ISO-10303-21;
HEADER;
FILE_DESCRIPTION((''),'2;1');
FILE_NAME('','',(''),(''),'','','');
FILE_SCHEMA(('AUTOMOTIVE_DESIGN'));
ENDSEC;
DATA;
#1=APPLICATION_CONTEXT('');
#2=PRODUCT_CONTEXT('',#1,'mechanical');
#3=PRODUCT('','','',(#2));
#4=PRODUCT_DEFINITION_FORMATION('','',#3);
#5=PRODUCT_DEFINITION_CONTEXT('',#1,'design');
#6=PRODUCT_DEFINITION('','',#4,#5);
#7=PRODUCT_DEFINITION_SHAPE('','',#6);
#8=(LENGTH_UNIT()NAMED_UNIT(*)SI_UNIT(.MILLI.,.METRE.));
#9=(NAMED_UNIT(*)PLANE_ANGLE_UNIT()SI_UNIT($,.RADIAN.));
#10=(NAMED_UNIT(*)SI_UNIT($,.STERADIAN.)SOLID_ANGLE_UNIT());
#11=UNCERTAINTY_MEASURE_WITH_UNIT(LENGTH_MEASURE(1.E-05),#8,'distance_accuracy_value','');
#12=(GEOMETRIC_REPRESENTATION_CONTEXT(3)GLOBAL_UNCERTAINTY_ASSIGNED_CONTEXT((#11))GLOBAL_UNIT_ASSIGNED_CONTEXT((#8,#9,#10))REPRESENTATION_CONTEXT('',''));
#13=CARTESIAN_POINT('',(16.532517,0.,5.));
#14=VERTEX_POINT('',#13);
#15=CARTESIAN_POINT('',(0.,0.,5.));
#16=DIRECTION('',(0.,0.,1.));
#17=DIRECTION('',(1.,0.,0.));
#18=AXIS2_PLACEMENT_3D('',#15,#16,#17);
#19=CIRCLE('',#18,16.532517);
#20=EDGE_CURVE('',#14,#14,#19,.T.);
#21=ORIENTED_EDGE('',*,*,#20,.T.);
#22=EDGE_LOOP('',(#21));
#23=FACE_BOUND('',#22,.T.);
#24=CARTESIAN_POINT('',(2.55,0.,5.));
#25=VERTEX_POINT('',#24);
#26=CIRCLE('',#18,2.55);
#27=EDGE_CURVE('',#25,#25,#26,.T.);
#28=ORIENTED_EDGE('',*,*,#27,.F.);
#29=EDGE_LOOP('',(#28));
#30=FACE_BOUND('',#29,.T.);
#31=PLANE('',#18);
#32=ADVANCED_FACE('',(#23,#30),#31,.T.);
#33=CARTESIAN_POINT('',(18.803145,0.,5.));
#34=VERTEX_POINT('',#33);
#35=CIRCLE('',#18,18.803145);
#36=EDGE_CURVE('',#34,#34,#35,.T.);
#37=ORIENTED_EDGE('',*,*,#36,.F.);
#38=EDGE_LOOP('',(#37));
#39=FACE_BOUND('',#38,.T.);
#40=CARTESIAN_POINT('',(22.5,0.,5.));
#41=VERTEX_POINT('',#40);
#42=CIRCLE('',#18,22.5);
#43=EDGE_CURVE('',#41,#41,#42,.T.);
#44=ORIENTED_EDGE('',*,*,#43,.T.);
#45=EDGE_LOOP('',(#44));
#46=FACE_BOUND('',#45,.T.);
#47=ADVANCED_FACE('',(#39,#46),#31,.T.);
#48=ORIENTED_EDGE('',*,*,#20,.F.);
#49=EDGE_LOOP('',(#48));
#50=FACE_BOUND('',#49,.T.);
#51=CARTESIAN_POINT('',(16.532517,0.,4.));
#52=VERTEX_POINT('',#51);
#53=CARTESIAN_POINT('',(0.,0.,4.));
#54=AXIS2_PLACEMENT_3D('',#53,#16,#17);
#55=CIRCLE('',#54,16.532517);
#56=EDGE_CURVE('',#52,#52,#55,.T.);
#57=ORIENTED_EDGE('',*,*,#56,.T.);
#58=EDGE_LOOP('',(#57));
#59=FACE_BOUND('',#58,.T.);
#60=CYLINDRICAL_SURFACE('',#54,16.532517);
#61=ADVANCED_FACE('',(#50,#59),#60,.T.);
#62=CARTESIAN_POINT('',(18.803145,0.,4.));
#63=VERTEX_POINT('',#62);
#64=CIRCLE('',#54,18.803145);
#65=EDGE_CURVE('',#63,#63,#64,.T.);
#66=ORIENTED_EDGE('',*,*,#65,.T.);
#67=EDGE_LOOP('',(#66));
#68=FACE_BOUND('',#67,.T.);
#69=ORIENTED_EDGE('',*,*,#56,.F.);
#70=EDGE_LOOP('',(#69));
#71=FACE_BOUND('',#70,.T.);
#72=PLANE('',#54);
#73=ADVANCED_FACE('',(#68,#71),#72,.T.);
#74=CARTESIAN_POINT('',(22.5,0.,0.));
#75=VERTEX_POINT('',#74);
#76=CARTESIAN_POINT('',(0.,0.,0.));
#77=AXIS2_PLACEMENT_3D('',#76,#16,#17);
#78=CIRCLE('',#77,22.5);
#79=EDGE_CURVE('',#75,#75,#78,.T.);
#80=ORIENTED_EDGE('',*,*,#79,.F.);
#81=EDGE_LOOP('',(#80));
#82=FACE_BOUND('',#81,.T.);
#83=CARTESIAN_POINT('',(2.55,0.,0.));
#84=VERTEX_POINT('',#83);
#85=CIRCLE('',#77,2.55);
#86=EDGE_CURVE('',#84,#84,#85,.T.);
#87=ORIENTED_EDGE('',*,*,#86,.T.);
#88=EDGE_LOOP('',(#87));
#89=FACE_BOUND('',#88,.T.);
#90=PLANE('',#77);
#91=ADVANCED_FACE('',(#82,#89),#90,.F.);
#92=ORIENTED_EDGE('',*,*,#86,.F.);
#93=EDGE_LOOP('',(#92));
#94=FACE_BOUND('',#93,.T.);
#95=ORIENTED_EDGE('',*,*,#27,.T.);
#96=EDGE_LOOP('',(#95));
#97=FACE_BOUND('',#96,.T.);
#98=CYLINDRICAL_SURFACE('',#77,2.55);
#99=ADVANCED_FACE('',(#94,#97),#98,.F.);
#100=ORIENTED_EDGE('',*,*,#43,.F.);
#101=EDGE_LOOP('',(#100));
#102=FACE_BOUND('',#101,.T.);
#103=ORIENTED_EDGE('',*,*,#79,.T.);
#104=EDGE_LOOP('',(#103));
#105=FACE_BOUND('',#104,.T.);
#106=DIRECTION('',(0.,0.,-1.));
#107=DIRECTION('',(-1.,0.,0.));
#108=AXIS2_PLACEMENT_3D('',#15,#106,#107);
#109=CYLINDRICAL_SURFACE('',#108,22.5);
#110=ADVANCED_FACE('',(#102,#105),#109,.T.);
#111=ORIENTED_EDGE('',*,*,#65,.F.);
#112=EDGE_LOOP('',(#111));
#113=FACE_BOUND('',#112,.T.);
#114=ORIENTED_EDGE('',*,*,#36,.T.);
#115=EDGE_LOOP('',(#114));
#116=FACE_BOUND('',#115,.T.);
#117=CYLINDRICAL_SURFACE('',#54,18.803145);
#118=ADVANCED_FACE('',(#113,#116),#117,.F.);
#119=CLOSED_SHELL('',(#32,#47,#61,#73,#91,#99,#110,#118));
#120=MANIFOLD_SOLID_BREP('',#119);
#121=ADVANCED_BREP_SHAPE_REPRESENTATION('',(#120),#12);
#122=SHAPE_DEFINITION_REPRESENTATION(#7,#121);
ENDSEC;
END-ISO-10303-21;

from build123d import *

# Parameters (mm, degrees)
ESQUISSE1_R             = 22.5
BOSS_EXTRU_1_DEPTH      = 5
ESQUISSE6_R             = 2.55
ENL_V_MAT_EXTRU_4_DEPTH = 5
ESQUISSE7_R             = 18.80314531
ESQUISSE7_R_2           = 16.53251654
ENL_V_MAT_EXTRU_5_DEPTH = 1


with BuildPart() as part:
    # Esquisse1 → Boss.-Extru.1 (new body)
    with BuildSketch(Plane.XY):
        Circle(ESQUISSE1_R)
    extrude(amount=BOSS_EXTRU_1_DEPTH)

    # Esquisse6 → Enlèv. mat.-Extru.4 (cut)
    with BuildSketch(Plane.XY.offset(5)):
        Circle(ESQUISSE6_R)
    extrude(amount=-ENL_V_MAT_EXTRU_4_DEPTH, mode=Mode.SUBTRACT)

    # Esquisse7 → Enlèv. mat.-Extru.5 (cut)
    with BuildSketch(Plane.XY.offset(5)):
        Circle(ESQUISSE7_R)
        Circle(ESQUISSE7_R_2, mode=Mode.SUBTRACT)
    extrude(amount=-ENL_V_MAT_EXTRU_5_DEPTH, mode=Mode.SUBTRACT)


solid = part.part
